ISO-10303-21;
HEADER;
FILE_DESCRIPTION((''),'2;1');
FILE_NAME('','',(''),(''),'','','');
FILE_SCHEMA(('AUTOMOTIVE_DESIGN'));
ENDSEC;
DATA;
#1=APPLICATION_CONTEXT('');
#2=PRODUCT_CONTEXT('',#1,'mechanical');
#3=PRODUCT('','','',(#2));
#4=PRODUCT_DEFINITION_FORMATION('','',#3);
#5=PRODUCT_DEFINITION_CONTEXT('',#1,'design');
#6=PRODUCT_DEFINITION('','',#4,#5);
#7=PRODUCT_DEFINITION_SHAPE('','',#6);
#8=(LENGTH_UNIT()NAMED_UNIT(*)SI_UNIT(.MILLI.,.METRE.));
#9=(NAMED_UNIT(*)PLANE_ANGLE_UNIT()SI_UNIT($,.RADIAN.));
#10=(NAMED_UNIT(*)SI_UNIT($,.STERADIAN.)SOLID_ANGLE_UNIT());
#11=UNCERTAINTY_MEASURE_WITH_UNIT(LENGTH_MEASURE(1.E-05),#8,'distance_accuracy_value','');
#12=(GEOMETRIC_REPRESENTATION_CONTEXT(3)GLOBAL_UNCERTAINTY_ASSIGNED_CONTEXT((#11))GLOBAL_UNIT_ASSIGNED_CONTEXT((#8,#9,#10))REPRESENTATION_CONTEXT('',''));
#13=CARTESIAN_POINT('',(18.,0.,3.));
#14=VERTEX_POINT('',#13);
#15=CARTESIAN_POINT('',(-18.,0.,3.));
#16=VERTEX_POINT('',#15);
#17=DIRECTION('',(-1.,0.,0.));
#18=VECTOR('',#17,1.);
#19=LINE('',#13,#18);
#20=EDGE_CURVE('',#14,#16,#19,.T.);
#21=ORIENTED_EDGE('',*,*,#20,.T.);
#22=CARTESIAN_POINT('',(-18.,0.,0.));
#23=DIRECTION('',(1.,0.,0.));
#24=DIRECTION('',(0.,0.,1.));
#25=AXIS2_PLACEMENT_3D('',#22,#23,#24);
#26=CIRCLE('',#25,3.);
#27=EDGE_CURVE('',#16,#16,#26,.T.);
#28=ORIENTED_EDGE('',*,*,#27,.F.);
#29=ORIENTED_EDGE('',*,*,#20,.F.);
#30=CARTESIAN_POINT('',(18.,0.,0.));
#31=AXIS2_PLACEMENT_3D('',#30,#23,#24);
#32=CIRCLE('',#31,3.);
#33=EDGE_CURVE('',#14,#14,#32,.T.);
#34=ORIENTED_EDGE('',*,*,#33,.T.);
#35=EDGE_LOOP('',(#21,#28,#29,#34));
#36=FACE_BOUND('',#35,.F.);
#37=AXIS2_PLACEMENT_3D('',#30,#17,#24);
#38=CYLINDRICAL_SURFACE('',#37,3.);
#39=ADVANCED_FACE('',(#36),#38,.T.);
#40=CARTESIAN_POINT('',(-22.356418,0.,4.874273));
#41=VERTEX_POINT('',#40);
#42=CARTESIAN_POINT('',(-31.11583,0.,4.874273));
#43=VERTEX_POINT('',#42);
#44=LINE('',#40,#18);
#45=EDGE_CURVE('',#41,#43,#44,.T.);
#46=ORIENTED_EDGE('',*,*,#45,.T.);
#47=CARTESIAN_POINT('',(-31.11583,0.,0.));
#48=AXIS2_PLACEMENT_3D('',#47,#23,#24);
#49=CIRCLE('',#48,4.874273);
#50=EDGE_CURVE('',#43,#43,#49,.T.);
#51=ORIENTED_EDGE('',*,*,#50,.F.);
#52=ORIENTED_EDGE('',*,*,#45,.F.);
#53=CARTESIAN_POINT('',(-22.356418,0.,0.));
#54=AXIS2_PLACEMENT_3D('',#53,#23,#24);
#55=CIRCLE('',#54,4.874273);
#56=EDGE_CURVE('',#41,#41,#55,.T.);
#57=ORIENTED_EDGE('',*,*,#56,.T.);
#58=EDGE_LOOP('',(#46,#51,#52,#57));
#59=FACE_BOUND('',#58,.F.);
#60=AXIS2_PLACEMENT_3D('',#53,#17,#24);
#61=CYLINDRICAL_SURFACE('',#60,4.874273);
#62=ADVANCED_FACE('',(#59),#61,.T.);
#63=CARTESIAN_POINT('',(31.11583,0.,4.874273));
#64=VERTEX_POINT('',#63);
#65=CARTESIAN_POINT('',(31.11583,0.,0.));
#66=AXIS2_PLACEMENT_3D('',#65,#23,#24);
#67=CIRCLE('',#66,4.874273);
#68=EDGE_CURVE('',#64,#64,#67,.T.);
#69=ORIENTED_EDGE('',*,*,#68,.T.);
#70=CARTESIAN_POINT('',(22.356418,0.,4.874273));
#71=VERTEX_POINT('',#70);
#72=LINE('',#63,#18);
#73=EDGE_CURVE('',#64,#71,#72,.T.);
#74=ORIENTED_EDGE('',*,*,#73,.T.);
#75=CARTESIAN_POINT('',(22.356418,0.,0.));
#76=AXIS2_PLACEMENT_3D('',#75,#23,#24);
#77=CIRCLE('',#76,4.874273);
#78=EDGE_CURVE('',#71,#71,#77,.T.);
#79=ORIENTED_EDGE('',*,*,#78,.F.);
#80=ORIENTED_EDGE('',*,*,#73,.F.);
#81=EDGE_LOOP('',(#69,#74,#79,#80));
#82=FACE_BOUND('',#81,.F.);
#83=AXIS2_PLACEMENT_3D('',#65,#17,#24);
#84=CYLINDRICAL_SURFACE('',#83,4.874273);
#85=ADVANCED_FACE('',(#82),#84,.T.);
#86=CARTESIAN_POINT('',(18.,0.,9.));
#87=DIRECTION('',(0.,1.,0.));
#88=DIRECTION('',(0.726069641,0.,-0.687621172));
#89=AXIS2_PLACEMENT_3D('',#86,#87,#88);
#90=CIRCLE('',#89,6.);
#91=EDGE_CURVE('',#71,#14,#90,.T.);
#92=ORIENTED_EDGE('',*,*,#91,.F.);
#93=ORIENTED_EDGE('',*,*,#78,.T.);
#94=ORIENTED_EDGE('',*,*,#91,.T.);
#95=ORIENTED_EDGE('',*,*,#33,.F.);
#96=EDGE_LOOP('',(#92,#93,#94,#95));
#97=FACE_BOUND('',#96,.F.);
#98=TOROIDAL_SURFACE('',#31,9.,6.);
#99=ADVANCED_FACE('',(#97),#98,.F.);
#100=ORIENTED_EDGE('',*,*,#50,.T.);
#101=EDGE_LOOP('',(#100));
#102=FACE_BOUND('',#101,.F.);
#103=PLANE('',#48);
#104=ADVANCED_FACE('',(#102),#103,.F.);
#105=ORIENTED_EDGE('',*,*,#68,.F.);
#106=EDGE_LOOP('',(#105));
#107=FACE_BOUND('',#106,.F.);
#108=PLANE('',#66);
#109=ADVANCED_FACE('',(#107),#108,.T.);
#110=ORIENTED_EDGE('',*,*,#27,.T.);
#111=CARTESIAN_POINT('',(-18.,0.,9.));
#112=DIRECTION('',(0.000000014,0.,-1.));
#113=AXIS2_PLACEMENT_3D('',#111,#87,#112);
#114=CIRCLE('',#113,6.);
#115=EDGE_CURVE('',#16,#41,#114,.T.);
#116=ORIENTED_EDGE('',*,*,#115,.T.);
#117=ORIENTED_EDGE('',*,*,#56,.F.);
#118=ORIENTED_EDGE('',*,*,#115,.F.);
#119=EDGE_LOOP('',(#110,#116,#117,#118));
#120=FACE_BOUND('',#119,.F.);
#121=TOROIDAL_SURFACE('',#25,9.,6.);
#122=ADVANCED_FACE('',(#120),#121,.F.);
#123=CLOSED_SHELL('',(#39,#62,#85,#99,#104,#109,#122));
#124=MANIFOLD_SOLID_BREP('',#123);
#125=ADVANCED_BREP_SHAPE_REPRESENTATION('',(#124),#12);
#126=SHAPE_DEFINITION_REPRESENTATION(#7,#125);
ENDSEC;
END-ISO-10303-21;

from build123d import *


with BuildPart() as f1:
    # F0 (on Front) → F1 (revolve)
    with BuildSketch(Plane.XZ):
        with BuildLine():
            Line((18, 3), (0, 3))
            Line((0, 3), (-18, 3))
            ThreePointArc((-18, 3), (-20.371248, 3.48845), (-22.356418, 4.874273))
            Line((-22.356418, 4.874273), (-31.11583, 4.874273))
            Line((-31.11583, 4.874273), (-31.11583, 0))
            Line((-31.11583, 0), (0, 0))
            Line((0, 0), (31.11583, 0))
            Line((31.11583, 0), (31.11583, 4.874273))
            Line((31.11583, 4.874273), (22.356418, 4.874273))
            ThreePointArc((22.356418, 4.874273), (20.371248, 3.48845), (18, 3))
        make_face()
    revolve(axis=Axis((-15.557915, 0, 0), (1, 0, 0)))


solid = f1.part
